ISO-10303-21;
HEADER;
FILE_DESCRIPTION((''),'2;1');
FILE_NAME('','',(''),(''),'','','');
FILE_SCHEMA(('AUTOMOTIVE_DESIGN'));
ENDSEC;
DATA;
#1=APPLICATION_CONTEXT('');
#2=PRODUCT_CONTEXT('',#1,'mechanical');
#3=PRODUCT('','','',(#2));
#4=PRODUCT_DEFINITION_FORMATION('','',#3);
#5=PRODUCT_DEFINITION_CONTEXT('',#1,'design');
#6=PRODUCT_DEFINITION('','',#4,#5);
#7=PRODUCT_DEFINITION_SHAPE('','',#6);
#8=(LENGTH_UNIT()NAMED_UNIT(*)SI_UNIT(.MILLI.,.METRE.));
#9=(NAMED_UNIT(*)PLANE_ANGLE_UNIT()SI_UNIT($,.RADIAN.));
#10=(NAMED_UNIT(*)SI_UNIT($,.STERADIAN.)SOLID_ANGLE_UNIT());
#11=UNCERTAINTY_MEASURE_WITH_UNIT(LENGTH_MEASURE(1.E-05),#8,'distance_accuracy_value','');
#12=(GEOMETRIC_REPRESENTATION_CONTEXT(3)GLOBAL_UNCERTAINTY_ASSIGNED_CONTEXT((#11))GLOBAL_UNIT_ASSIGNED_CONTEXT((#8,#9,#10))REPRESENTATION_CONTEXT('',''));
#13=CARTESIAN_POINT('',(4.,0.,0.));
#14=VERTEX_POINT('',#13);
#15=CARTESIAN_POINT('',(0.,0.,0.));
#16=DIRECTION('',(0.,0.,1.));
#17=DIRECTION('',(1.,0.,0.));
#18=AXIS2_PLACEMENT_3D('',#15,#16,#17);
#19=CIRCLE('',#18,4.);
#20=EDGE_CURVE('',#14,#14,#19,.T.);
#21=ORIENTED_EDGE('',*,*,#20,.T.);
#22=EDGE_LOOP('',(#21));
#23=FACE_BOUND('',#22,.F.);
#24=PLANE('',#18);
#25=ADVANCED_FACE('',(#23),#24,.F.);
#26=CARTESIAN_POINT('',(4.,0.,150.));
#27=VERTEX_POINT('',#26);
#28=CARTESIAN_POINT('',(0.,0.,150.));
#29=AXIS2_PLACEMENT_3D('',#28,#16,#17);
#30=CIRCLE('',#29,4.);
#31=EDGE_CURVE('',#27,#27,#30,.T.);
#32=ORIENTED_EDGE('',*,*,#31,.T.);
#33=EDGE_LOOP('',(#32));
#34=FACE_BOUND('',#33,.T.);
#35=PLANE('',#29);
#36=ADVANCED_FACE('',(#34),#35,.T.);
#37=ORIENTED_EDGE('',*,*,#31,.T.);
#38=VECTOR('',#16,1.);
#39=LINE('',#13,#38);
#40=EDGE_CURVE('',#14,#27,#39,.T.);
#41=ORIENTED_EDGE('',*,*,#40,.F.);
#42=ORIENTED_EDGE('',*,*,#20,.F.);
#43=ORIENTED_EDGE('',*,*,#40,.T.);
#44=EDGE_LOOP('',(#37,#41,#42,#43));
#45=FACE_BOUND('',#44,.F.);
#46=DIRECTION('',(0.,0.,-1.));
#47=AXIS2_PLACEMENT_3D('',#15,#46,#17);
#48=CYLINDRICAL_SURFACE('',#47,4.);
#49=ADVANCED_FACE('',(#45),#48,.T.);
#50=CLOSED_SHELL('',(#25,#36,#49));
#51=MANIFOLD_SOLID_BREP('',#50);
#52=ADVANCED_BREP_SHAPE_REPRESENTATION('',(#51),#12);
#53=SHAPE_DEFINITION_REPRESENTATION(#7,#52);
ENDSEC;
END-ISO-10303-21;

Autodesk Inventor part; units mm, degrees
ref_plane "YZ Plane" through (0, 0, 0) normal (1, 0, 0) x (0, 1, 0)
ref_plane "XZ Plane" through (0, 0, 0) normal (0, 1, 0) x (-1, 0, 0)
ref_plane "XY Plane" through (0, 0, 0) normal (0, 0, 1) x (1, 0, 0)
sketch "Skizze1" plane through (0, 0, 0) normal (0, 0, 1) x (1, 0, 0)
  circle A0 centre (0, 0) radius 4
  dimension "d0" = 150
extrude "Extrusion1" add sketch "Skizze1" along normal blind 150
properties part number "Fuehrungswelle_8x150"
